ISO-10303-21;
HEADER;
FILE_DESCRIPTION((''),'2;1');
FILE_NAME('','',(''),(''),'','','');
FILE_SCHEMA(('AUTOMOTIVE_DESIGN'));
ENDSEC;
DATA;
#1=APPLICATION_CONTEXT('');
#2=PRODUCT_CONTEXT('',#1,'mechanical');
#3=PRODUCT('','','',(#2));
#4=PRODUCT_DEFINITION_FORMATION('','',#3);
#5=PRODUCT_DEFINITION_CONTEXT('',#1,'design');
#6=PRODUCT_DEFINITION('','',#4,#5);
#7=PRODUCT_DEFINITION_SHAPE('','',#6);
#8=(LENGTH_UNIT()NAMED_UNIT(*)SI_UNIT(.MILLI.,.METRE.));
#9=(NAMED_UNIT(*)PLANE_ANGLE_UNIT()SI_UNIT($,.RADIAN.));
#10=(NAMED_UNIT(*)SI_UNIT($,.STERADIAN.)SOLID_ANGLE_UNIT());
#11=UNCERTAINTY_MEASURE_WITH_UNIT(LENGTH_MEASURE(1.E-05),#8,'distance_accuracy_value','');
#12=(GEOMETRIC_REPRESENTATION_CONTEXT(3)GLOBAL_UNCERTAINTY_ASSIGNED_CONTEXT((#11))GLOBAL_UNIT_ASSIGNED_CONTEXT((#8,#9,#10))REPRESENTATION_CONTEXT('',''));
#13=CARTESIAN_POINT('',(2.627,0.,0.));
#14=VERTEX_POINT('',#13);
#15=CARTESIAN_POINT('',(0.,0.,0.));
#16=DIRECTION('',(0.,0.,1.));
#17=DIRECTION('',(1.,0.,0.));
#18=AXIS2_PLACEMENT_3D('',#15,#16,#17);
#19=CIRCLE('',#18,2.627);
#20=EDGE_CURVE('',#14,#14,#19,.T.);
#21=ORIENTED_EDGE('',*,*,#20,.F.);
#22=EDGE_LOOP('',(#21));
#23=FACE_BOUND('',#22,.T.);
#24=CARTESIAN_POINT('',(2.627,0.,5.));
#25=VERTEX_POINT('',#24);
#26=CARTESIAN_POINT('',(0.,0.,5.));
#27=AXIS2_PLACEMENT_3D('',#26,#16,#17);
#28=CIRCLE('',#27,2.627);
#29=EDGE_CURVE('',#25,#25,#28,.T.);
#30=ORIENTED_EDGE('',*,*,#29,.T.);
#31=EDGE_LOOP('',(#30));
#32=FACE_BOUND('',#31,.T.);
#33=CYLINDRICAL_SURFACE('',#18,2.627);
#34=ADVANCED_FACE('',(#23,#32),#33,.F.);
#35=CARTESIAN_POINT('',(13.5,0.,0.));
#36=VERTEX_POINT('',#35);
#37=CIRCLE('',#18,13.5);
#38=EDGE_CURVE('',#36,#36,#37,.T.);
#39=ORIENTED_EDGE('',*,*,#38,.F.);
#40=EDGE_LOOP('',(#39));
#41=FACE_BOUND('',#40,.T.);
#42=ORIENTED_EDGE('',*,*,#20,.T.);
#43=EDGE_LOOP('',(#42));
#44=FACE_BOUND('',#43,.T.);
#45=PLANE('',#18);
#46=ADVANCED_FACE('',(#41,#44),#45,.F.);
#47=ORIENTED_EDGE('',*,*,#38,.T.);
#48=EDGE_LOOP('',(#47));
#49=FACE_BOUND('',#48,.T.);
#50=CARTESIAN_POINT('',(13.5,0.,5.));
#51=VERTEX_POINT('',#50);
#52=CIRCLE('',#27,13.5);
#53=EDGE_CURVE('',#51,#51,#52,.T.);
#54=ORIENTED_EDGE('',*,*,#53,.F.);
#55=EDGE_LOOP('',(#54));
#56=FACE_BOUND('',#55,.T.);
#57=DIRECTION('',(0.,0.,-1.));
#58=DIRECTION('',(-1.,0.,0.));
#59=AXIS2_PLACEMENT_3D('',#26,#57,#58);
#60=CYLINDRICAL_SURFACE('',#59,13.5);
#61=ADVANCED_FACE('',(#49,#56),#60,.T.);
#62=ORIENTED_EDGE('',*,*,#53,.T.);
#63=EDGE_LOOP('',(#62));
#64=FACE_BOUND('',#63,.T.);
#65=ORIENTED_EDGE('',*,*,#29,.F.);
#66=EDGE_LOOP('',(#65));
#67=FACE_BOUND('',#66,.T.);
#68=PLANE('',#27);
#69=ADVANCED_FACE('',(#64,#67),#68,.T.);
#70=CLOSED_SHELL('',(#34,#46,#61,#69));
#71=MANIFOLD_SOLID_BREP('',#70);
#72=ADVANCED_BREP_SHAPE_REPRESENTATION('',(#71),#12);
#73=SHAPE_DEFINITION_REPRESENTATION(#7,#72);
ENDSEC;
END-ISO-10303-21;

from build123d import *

# Parameters (mm, degrees)
SKETCH2_R           = 13.5
BOSS_EXTRUDE1_DEPTH = 5
SKETCH3_R           = 2.627
CUT_EXTRUDE1_DEPTH  = 5


with BuildPart() as part:
    # Sketch2 → Boss-Extrude1 (new body)
    with BuildSketch(Plane.XY):
        Circle(SKETCH2_R)
    extrude(amount=BOSS_EXTRUDE1_DEPTH)

    # Sketch3 → Cut-Extrude1 (cut)
    with BuildSketch(Plane.XY.offset(5)):
        Circle(SKETCH3_R)
    extrude(amount=-CUT_EXTRUDE1_DEPTH, mode=Mode.SUBTRACT)


solid = part.part
